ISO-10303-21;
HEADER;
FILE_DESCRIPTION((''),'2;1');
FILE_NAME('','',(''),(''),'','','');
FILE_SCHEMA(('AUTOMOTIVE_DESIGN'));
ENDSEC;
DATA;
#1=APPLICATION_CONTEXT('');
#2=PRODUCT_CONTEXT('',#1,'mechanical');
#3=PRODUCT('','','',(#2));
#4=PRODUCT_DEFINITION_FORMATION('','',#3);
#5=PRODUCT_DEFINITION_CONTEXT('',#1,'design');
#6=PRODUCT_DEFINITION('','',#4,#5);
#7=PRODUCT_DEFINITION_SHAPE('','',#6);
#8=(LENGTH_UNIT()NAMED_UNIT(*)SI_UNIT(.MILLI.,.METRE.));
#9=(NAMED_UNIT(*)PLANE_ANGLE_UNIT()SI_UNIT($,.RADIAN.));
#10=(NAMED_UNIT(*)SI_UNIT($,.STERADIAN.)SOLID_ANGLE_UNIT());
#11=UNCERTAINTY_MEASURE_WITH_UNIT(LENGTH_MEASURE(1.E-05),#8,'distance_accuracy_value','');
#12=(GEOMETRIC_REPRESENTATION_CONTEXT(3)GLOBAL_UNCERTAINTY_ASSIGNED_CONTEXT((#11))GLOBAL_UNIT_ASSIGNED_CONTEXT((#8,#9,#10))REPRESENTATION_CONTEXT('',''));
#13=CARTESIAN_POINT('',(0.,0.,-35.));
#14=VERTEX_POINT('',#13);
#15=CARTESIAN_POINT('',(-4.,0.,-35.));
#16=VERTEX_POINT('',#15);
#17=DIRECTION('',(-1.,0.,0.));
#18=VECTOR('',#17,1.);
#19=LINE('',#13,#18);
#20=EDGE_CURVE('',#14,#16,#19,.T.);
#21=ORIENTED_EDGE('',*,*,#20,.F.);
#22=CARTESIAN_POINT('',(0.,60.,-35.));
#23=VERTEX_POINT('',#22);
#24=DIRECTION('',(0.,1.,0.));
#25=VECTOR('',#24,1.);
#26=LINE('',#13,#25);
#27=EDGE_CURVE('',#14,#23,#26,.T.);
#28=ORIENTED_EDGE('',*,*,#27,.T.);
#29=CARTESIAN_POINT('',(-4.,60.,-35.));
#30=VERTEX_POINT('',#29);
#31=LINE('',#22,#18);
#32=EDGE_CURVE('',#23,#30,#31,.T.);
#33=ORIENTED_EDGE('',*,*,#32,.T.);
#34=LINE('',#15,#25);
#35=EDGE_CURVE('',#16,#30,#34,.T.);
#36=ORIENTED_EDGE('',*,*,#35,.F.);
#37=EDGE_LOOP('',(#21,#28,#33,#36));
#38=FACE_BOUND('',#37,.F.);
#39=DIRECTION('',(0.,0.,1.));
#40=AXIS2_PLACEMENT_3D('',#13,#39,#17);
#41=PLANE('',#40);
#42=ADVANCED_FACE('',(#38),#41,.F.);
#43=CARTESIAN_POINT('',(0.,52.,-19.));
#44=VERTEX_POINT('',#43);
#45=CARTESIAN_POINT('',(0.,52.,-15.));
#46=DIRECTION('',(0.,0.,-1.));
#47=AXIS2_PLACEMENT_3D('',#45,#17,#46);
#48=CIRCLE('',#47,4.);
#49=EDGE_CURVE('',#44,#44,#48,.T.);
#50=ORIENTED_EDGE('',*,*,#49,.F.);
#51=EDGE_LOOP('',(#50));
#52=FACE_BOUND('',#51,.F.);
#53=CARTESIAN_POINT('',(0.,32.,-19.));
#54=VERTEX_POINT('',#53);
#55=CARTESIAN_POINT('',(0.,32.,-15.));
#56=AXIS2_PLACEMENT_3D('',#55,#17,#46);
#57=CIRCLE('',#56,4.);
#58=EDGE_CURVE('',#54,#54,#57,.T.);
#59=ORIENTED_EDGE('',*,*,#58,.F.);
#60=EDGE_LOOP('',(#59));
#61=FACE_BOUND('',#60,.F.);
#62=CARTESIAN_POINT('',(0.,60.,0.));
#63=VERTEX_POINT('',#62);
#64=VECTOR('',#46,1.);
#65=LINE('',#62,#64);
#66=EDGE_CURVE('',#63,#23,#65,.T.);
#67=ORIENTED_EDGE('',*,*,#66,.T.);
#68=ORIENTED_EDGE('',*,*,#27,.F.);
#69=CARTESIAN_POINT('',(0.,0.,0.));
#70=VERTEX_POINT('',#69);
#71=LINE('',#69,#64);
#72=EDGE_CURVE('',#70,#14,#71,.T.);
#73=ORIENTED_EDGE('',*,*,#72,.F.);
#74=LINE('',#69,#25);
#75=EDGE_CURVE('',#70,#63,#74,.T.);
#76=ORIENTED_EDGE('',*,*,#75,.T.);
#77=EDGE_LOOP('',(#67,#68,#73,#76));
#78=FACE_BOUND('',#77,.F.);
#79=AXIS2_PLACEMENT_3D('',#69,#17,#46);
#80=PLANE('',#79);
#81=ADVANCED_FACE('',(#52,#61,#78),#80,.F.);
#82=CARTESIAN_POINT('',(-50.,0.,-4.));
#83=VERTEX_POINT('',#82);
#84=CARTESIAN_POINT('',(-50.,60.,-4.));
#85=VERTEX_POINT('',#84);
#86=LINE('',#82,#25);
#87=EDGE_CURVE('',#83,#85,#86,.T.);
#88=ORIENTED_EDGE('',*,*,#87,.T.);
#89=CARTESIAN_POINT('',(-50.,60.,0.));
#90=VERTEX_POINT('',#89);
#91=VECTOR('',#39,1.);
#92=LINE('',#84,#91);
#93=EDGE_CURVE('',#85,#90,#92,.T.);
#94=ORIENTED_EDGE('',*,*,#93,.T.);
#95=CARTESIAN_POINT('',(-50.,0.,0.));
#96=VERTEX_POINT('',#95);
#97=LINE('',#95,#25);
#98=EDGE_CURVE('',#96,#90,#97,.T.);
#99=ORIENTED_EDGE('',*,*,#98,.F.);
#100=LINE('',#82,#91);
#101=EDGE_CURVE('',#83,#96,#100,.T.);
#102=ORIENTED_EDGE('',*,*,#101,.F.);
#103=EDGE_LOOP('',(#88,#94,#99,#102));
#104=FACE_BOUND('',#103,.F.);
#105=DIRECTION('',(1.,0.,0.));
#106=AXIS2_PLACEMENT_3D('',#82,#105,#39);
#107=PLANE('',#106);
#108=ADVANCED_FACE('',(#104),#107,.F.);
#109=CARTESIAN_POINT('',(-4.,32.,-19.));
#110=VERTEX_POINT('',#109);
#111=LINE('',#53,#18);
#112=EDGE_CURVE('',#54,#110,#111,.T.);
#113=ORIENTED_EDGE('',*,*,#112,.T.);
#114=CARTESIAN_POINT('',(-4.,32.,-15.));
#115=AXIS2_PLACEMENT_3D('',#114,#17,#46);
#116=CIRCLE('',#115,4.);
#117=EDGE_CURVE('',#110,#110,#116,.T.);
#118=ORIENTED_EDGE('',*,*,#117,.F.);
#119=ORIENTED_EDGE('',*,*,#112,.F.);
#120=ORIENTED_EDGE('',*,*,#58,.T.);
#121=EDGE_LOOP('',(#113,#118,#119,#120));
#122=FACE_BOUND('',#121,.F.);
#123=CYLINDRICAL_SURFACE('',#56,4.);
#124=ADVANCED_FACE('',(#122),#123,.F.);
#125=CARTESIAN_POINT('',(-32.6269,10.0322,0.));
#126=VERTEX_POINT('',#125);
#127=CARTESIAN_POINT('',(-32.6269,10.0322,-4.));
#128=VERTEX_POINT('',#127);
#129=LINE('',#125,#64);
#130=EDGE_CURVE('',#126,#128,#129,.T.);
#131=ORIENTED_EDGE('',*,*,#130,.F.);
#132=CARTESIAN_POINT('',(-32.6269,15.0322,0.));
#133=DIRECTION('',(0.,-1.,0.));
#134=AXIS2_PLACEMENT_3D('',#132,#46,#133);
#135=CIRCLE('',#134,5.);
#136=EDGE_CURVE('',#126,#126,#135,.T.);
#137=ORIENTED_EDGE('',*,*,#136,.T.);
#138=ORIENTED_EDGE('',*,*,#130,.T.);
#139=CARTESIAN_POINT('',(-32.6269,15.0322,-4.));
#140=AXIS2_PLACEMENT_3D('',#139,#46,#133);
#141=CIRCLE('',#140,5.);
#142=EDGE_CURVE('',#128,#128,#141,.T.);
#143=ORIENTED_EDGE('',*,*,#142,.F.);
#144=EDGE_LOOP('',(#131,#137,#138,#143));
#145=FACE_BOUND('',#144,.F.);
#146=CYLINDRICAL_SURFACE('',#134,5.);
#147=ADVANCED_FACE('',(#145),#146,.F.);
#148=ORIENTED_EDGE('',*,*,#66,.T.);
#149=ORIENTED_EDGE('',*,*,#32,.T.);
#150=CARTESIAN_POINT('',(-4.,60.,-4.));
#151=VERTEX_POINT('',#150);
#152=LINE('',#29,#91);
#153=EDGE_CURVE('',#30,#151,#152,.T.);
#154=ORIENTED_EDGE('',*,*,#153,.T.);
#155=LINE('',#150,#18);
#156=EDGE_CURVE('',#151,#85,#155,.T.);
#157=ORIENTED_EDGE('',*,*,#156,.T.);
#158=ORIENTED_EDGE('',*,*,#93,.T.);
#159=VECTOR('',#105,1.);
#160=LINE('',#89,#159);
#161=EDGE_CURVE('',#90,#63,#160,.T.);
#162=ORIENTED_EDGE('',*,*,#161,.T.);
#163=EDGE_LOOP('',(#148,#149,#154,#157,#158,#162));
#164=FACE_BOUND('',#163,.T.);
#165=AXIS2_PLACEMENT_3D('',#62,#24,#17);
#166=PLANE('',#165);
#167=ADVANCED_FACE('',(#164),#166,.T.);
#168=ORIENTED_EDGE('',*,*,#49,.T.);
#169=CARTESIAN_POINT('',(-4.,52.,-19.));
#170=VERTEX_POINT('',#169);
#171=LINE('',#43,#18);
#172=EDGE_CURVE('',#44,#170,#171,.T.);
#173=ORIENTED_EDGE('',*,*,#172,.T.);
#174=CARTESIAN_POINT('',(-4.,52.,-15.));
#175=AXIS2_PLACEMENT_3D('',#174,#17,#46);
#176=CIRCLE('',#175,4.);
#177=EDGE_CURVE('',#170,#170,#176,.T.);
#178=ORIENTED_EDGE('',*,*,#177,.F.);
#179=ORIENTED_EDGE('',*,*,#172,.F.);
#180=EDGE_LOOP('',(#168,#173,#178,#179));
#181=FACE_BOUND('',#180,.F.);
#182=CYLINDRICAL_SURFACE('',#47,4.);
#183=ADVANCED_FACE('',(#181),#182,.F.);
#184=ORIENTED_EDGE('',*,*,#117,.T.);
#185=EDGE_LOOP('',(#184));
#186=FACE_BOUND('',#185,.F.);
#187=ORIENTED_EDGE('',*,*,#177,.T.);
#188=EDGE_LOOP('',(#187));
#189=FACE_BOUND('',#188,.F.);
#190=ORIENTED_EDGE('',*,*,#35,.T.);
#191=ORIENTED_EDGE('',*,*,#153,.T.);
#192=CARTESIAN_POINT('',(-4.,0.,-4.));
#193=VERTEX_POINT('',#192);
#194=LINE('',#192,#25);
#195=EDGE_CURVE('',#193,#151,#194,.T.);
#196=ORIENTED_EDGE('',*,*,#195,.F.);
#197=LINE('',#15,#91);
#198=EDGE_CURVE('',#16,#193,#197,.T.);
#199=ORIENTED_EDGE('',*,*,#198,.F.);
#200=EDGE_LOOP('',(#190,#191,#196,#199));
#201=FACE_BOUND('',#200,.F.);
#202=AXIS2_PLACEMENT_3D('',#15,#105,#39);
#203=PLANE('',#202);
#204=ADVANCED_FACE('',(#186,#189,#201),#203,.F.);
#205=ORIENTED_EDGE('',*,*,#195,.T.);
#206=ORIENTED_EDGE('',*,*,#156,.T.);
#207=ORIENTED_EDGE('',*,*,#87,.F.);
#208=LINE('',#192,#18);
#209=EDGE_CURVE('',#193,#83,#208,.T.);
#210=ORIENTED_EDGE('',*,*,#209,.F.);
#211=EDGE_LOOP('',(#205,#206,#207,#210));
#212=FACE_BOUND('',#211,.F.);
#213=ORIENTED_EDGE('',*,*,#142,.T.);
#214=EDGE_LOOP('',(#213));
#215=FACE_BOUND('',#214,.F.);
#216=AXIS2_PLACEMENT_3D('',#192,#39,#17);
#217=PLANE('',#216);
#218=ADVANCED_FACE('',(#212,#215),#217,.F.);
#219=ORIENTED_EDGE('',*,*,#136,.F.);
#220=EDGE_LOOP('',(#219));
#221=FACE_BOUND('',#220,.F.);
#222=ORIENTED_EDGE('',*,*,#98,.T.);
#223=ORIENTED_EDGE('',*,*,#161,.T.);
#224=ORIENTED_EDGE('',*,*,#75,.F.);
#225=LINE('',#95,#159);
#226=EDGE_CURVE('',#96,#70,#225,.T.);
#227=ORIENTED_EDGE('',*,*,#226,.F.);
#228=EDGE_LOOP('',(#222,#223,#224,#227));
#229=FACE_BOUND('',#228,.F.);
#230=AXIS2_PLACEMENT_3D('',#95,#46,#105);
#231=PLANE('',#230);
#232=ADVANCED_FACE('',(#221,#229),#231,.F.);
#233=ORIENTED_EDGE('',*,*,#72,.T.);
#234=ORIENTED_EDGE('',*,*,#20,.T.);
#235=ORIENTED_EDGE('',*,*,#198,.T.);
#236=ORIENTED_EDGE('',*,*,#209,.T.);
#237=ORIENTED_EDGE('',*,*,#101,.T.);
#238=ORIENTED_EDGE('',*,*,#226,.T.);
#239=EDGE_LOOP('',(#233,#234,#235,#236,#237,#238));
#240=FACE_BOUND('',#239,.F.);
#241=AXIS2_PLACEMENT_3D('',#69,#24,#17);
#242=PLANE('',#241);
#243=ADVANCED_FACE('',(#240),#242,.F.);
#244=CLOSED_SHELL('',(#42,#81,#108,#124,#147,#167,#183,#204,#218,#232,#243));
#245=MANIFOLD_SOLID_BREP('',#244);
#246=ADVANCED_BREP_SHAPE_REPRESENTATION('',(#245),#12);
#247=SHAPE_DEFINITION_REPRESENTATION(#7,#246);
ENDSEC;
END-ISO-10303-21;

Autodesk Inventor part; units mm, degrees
ref_plane "YZ Plane" through (0, 0, 0) normal (1, 0, 0) x (0, 1, 0)
ref_plane "XZ Plane" through (0, 0, 0) normal (0, 1, 0) x (-1, 0, 0)
ref_plane "XY Plane" through (0, 0, 0) normal (0, 0, 1) x (1, 0, 0)
sketch "スケッチ1" plane through (0, 0, 0) normal (0, 1, 0) x (-1, 0, 0)
  line L0 (0, 0) -> (0, -35)
  line L1 (0, -35) -> (4, -35)
  line L2 (4, -35) -> (4, -4)
  line L3 (4, -4) -> (50, -4)
  line L4 (50, -4) -> (50, 0)
  line L5 (50, 0) -> (0, 0)
  dimension "d0" = 35
  dimension "d1" = 4
  dimension "d2" = 90
  dimension "d3" = 31
  dimension "d4" = 46
extrude "押し出し1" add sketch "スケッチ1" along normal blind 60
sketch "スケッチ2" plane through (-50, 0, 0) normal (0, 0, 1) x (1, 0, 0)
  line L0 (50, 0) -> (50, 60) projected
  line L1 (0, 0) -> (50, 0) projected
  point P0 (17.3731, 15.0322)
  dimension "d7" = 32.6269
  dimension "d8" = 15.0322
hole "穴1" at (-32.6269, 15.0322, 0) direction (0, 0, -1) diameter 10 end through all
sketch "スケッチ3" plane through (0, 0, 0) normal (1, 0, 0) x (0, 0, -1)
  line L0 (0, 0) -> (35, 0) projected
  line L1 (35, 0) -> (35, 60) projected
  line L2 (0, 0) -> (0, 60) projected
  line L3 (0, 60) -> (35, 60) projected
  point P0 (15, 32)
  point P1 (15, 52)
  dimension "d16" = 32
  dimension "d22" = 8
  dimension "d31" = 15
  dimension "d32" = 15
hole "穴2" at (0, 32, -15) at (0, 52, -15) direction (-1, 0, 0) diameter 8 end through all
properties part number "ブレーキ固定アングル"
